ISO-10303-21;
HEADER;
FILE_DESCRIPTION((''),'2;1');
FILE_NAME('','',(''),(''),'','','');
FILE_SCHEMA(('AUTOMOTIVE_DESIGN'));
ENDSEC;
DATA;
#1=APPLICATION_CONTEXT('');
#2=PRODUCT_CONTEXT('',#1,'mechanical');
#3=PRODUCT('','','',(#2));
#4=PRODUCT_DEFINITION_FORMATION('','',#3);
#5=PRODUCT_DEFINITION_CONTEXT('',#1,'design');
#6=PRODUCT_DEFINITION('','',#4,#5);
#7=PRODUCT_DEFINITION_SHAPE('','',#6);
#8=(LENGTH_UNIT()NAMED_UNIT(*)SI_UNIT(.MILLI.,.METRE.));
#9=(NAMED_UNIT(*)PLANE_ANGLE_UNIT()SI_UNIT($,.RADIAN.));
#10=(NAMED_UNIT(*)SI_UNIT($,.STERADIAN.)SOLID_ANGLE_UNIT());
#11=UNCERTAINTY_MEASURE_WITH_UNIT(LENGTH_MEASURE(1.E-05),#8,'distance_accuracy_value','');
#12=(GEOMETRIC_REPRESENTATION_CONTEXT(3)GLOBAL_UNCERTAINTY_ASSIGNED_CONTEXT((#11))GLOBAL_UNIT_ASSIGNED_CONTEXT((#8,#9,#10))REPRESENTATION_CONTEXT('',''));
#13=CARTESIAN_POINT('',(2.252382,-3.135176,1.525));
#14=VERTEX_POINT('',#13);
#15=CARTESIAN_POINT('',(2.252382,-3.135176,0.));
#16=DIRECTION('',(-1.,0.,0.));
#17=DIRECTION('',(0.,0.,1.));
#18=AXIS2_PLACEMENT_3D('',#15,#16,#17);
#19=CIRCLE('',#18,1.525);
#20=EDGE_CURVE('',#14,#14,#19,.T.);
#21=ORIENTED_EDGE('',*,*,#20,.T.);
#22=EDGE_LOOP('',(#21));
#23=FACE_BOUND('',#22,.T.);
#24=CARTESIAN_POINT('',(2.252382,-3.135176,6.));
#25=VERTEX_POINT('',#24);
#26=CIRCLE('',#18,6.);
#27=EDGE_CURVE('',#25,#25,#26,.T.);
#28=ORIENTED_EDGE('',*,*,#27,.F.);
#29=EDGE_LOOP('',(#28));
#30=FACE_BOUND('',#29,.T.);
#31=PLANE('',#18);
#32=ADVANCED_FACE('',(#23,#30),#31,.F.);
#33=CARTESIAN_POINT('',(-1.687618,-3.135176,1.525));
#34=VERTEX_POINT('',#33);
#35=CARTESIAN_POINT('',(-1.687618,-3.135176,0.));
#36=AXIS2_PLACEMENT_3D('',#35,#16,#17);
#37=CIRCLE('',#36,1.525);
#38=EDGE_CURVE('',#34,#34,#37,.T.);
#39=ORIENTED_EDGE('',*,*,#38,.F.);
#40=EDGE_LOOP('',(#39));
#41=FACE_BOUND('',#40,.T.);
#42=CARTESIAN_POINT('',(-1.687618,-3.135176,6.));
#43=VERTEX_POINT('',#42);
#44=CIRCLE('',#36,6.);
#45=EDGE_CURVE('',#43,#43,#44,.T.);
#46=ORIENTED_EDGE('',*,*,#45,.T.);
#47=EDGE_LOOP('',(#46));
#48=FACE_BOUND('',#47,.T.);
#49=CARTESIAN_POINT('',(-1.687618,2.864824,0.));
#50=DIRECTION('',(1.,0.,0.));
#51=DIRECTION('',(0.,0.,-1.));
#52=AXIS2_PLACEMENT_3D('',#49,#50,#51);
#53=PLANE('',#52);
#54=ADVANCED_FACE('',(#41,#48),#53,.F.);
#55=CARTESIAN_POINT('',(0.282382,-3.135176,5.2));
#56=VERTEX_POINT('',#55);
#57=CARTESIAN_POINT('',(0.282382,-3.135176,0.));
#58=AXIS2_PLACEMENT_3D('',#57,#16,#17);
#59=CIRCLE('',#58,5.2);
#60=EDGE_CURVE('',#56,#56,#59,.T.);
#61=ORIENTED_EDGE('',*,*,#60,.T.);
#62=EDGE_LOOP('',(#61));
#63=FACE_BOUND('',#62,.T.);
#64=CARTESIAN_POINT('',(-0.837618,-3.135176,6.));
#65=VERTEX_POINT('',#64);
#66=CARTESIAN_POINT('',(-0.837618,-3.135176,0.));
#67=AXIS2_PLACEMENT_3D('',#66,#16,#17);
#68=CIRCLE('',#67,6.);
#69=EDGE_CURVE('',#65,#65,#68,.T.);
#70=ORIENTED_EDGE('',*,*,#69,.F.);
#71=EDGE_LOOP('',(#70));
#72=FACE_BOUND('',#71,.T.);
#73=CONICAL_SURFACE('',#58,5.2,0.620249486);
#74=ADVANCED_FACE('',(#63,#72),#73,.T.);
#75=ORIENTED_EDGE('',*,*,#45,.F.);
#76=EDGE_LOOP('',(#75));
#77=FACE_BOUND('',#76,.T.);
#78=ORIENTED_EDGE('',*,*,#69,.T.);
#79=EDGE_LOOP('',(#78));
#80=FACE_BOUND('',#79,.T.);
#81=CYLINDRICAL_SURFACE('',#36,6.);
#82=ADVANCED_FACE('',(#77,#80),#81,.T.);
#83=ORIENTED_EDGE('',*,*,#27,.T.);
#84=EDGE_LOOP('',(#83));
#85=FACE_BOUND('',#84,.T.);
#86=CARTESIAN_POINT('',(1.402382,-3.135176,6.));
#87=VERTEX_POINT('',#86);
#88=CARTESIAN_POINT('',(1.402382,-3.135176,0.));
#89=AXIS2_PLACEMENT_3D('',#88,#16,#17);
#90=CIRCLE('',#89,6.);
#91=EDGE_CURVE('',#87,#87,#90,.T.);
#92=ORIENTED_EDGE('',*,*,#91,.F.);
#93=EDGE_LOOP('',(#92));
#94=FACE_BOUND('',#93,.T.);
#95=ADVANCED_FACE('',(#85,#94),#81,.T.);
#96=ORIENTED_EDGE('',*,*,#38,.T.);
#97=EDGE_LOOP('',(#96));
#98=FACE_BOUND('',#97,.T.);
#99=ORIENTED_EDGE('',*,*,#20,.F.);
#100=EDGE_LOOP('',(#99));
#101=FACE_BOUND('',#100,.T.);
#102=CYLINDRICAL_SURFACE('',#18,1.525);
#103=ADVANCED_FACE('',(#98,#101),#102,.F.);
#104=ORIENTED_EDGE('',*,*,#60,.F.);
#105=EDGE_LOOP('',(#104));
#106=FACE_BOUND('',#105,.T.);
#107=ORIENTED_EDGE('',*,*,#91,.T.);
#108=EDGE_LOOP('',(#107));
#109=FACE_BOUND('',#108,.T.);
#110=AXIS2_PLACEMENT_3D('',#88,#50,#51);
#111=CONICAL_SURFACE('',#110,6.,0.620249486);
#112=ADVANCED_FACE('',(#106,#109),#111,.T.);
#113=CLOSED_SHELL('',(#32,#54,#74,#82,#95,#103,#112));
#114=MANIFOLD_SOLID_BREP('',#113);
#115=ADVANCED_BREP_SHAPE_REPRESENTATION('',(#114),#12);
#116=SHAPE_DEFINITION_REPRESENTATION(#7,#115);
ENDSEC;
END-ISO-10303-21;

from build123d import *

# Parameters (mm, degrees)
SKETCH2_R          = 1.525
CUT_EXTRUDE1_DEPTH = 12.61787595


with BuildPart() as part:
    # Sketch1 → Revolve1 (revolve)
    with BuildSketch(Plane.XY, mode=Mode.PRIVATE) as revolve1_sk:
        Polygon((-1.68761801, 2.864823944), (-0.83761801, 2.864823944), (0.28238199, 2.064823944), (1.40238199, 2.864823944), (2.25238199, 2.864823944), (2.25238199, -3.135176056), (-1.68761801, -3.135176056), align=None)
    revolve(revolve1_sk.sketch.rotate(Axis((-1.68761801, -3.135176056, 0), (1, 0, 0)), 90), axis=Axis((-1.68761801, -3.135176056, 0), (1, 0, 0)))

    # Sketch2 → Cut-Extrude1 (cut, through all)
    with BuildSketch(Plane.ZY.offset(1.68761801)):
        with Locations((0, -3.135176056)):
            Circle(SKETCH2_R)
    extrude(amount=-CUT_EXTRUDE1_DEPTH, mode=Mode.SUBTRACT)


solid = part.part
